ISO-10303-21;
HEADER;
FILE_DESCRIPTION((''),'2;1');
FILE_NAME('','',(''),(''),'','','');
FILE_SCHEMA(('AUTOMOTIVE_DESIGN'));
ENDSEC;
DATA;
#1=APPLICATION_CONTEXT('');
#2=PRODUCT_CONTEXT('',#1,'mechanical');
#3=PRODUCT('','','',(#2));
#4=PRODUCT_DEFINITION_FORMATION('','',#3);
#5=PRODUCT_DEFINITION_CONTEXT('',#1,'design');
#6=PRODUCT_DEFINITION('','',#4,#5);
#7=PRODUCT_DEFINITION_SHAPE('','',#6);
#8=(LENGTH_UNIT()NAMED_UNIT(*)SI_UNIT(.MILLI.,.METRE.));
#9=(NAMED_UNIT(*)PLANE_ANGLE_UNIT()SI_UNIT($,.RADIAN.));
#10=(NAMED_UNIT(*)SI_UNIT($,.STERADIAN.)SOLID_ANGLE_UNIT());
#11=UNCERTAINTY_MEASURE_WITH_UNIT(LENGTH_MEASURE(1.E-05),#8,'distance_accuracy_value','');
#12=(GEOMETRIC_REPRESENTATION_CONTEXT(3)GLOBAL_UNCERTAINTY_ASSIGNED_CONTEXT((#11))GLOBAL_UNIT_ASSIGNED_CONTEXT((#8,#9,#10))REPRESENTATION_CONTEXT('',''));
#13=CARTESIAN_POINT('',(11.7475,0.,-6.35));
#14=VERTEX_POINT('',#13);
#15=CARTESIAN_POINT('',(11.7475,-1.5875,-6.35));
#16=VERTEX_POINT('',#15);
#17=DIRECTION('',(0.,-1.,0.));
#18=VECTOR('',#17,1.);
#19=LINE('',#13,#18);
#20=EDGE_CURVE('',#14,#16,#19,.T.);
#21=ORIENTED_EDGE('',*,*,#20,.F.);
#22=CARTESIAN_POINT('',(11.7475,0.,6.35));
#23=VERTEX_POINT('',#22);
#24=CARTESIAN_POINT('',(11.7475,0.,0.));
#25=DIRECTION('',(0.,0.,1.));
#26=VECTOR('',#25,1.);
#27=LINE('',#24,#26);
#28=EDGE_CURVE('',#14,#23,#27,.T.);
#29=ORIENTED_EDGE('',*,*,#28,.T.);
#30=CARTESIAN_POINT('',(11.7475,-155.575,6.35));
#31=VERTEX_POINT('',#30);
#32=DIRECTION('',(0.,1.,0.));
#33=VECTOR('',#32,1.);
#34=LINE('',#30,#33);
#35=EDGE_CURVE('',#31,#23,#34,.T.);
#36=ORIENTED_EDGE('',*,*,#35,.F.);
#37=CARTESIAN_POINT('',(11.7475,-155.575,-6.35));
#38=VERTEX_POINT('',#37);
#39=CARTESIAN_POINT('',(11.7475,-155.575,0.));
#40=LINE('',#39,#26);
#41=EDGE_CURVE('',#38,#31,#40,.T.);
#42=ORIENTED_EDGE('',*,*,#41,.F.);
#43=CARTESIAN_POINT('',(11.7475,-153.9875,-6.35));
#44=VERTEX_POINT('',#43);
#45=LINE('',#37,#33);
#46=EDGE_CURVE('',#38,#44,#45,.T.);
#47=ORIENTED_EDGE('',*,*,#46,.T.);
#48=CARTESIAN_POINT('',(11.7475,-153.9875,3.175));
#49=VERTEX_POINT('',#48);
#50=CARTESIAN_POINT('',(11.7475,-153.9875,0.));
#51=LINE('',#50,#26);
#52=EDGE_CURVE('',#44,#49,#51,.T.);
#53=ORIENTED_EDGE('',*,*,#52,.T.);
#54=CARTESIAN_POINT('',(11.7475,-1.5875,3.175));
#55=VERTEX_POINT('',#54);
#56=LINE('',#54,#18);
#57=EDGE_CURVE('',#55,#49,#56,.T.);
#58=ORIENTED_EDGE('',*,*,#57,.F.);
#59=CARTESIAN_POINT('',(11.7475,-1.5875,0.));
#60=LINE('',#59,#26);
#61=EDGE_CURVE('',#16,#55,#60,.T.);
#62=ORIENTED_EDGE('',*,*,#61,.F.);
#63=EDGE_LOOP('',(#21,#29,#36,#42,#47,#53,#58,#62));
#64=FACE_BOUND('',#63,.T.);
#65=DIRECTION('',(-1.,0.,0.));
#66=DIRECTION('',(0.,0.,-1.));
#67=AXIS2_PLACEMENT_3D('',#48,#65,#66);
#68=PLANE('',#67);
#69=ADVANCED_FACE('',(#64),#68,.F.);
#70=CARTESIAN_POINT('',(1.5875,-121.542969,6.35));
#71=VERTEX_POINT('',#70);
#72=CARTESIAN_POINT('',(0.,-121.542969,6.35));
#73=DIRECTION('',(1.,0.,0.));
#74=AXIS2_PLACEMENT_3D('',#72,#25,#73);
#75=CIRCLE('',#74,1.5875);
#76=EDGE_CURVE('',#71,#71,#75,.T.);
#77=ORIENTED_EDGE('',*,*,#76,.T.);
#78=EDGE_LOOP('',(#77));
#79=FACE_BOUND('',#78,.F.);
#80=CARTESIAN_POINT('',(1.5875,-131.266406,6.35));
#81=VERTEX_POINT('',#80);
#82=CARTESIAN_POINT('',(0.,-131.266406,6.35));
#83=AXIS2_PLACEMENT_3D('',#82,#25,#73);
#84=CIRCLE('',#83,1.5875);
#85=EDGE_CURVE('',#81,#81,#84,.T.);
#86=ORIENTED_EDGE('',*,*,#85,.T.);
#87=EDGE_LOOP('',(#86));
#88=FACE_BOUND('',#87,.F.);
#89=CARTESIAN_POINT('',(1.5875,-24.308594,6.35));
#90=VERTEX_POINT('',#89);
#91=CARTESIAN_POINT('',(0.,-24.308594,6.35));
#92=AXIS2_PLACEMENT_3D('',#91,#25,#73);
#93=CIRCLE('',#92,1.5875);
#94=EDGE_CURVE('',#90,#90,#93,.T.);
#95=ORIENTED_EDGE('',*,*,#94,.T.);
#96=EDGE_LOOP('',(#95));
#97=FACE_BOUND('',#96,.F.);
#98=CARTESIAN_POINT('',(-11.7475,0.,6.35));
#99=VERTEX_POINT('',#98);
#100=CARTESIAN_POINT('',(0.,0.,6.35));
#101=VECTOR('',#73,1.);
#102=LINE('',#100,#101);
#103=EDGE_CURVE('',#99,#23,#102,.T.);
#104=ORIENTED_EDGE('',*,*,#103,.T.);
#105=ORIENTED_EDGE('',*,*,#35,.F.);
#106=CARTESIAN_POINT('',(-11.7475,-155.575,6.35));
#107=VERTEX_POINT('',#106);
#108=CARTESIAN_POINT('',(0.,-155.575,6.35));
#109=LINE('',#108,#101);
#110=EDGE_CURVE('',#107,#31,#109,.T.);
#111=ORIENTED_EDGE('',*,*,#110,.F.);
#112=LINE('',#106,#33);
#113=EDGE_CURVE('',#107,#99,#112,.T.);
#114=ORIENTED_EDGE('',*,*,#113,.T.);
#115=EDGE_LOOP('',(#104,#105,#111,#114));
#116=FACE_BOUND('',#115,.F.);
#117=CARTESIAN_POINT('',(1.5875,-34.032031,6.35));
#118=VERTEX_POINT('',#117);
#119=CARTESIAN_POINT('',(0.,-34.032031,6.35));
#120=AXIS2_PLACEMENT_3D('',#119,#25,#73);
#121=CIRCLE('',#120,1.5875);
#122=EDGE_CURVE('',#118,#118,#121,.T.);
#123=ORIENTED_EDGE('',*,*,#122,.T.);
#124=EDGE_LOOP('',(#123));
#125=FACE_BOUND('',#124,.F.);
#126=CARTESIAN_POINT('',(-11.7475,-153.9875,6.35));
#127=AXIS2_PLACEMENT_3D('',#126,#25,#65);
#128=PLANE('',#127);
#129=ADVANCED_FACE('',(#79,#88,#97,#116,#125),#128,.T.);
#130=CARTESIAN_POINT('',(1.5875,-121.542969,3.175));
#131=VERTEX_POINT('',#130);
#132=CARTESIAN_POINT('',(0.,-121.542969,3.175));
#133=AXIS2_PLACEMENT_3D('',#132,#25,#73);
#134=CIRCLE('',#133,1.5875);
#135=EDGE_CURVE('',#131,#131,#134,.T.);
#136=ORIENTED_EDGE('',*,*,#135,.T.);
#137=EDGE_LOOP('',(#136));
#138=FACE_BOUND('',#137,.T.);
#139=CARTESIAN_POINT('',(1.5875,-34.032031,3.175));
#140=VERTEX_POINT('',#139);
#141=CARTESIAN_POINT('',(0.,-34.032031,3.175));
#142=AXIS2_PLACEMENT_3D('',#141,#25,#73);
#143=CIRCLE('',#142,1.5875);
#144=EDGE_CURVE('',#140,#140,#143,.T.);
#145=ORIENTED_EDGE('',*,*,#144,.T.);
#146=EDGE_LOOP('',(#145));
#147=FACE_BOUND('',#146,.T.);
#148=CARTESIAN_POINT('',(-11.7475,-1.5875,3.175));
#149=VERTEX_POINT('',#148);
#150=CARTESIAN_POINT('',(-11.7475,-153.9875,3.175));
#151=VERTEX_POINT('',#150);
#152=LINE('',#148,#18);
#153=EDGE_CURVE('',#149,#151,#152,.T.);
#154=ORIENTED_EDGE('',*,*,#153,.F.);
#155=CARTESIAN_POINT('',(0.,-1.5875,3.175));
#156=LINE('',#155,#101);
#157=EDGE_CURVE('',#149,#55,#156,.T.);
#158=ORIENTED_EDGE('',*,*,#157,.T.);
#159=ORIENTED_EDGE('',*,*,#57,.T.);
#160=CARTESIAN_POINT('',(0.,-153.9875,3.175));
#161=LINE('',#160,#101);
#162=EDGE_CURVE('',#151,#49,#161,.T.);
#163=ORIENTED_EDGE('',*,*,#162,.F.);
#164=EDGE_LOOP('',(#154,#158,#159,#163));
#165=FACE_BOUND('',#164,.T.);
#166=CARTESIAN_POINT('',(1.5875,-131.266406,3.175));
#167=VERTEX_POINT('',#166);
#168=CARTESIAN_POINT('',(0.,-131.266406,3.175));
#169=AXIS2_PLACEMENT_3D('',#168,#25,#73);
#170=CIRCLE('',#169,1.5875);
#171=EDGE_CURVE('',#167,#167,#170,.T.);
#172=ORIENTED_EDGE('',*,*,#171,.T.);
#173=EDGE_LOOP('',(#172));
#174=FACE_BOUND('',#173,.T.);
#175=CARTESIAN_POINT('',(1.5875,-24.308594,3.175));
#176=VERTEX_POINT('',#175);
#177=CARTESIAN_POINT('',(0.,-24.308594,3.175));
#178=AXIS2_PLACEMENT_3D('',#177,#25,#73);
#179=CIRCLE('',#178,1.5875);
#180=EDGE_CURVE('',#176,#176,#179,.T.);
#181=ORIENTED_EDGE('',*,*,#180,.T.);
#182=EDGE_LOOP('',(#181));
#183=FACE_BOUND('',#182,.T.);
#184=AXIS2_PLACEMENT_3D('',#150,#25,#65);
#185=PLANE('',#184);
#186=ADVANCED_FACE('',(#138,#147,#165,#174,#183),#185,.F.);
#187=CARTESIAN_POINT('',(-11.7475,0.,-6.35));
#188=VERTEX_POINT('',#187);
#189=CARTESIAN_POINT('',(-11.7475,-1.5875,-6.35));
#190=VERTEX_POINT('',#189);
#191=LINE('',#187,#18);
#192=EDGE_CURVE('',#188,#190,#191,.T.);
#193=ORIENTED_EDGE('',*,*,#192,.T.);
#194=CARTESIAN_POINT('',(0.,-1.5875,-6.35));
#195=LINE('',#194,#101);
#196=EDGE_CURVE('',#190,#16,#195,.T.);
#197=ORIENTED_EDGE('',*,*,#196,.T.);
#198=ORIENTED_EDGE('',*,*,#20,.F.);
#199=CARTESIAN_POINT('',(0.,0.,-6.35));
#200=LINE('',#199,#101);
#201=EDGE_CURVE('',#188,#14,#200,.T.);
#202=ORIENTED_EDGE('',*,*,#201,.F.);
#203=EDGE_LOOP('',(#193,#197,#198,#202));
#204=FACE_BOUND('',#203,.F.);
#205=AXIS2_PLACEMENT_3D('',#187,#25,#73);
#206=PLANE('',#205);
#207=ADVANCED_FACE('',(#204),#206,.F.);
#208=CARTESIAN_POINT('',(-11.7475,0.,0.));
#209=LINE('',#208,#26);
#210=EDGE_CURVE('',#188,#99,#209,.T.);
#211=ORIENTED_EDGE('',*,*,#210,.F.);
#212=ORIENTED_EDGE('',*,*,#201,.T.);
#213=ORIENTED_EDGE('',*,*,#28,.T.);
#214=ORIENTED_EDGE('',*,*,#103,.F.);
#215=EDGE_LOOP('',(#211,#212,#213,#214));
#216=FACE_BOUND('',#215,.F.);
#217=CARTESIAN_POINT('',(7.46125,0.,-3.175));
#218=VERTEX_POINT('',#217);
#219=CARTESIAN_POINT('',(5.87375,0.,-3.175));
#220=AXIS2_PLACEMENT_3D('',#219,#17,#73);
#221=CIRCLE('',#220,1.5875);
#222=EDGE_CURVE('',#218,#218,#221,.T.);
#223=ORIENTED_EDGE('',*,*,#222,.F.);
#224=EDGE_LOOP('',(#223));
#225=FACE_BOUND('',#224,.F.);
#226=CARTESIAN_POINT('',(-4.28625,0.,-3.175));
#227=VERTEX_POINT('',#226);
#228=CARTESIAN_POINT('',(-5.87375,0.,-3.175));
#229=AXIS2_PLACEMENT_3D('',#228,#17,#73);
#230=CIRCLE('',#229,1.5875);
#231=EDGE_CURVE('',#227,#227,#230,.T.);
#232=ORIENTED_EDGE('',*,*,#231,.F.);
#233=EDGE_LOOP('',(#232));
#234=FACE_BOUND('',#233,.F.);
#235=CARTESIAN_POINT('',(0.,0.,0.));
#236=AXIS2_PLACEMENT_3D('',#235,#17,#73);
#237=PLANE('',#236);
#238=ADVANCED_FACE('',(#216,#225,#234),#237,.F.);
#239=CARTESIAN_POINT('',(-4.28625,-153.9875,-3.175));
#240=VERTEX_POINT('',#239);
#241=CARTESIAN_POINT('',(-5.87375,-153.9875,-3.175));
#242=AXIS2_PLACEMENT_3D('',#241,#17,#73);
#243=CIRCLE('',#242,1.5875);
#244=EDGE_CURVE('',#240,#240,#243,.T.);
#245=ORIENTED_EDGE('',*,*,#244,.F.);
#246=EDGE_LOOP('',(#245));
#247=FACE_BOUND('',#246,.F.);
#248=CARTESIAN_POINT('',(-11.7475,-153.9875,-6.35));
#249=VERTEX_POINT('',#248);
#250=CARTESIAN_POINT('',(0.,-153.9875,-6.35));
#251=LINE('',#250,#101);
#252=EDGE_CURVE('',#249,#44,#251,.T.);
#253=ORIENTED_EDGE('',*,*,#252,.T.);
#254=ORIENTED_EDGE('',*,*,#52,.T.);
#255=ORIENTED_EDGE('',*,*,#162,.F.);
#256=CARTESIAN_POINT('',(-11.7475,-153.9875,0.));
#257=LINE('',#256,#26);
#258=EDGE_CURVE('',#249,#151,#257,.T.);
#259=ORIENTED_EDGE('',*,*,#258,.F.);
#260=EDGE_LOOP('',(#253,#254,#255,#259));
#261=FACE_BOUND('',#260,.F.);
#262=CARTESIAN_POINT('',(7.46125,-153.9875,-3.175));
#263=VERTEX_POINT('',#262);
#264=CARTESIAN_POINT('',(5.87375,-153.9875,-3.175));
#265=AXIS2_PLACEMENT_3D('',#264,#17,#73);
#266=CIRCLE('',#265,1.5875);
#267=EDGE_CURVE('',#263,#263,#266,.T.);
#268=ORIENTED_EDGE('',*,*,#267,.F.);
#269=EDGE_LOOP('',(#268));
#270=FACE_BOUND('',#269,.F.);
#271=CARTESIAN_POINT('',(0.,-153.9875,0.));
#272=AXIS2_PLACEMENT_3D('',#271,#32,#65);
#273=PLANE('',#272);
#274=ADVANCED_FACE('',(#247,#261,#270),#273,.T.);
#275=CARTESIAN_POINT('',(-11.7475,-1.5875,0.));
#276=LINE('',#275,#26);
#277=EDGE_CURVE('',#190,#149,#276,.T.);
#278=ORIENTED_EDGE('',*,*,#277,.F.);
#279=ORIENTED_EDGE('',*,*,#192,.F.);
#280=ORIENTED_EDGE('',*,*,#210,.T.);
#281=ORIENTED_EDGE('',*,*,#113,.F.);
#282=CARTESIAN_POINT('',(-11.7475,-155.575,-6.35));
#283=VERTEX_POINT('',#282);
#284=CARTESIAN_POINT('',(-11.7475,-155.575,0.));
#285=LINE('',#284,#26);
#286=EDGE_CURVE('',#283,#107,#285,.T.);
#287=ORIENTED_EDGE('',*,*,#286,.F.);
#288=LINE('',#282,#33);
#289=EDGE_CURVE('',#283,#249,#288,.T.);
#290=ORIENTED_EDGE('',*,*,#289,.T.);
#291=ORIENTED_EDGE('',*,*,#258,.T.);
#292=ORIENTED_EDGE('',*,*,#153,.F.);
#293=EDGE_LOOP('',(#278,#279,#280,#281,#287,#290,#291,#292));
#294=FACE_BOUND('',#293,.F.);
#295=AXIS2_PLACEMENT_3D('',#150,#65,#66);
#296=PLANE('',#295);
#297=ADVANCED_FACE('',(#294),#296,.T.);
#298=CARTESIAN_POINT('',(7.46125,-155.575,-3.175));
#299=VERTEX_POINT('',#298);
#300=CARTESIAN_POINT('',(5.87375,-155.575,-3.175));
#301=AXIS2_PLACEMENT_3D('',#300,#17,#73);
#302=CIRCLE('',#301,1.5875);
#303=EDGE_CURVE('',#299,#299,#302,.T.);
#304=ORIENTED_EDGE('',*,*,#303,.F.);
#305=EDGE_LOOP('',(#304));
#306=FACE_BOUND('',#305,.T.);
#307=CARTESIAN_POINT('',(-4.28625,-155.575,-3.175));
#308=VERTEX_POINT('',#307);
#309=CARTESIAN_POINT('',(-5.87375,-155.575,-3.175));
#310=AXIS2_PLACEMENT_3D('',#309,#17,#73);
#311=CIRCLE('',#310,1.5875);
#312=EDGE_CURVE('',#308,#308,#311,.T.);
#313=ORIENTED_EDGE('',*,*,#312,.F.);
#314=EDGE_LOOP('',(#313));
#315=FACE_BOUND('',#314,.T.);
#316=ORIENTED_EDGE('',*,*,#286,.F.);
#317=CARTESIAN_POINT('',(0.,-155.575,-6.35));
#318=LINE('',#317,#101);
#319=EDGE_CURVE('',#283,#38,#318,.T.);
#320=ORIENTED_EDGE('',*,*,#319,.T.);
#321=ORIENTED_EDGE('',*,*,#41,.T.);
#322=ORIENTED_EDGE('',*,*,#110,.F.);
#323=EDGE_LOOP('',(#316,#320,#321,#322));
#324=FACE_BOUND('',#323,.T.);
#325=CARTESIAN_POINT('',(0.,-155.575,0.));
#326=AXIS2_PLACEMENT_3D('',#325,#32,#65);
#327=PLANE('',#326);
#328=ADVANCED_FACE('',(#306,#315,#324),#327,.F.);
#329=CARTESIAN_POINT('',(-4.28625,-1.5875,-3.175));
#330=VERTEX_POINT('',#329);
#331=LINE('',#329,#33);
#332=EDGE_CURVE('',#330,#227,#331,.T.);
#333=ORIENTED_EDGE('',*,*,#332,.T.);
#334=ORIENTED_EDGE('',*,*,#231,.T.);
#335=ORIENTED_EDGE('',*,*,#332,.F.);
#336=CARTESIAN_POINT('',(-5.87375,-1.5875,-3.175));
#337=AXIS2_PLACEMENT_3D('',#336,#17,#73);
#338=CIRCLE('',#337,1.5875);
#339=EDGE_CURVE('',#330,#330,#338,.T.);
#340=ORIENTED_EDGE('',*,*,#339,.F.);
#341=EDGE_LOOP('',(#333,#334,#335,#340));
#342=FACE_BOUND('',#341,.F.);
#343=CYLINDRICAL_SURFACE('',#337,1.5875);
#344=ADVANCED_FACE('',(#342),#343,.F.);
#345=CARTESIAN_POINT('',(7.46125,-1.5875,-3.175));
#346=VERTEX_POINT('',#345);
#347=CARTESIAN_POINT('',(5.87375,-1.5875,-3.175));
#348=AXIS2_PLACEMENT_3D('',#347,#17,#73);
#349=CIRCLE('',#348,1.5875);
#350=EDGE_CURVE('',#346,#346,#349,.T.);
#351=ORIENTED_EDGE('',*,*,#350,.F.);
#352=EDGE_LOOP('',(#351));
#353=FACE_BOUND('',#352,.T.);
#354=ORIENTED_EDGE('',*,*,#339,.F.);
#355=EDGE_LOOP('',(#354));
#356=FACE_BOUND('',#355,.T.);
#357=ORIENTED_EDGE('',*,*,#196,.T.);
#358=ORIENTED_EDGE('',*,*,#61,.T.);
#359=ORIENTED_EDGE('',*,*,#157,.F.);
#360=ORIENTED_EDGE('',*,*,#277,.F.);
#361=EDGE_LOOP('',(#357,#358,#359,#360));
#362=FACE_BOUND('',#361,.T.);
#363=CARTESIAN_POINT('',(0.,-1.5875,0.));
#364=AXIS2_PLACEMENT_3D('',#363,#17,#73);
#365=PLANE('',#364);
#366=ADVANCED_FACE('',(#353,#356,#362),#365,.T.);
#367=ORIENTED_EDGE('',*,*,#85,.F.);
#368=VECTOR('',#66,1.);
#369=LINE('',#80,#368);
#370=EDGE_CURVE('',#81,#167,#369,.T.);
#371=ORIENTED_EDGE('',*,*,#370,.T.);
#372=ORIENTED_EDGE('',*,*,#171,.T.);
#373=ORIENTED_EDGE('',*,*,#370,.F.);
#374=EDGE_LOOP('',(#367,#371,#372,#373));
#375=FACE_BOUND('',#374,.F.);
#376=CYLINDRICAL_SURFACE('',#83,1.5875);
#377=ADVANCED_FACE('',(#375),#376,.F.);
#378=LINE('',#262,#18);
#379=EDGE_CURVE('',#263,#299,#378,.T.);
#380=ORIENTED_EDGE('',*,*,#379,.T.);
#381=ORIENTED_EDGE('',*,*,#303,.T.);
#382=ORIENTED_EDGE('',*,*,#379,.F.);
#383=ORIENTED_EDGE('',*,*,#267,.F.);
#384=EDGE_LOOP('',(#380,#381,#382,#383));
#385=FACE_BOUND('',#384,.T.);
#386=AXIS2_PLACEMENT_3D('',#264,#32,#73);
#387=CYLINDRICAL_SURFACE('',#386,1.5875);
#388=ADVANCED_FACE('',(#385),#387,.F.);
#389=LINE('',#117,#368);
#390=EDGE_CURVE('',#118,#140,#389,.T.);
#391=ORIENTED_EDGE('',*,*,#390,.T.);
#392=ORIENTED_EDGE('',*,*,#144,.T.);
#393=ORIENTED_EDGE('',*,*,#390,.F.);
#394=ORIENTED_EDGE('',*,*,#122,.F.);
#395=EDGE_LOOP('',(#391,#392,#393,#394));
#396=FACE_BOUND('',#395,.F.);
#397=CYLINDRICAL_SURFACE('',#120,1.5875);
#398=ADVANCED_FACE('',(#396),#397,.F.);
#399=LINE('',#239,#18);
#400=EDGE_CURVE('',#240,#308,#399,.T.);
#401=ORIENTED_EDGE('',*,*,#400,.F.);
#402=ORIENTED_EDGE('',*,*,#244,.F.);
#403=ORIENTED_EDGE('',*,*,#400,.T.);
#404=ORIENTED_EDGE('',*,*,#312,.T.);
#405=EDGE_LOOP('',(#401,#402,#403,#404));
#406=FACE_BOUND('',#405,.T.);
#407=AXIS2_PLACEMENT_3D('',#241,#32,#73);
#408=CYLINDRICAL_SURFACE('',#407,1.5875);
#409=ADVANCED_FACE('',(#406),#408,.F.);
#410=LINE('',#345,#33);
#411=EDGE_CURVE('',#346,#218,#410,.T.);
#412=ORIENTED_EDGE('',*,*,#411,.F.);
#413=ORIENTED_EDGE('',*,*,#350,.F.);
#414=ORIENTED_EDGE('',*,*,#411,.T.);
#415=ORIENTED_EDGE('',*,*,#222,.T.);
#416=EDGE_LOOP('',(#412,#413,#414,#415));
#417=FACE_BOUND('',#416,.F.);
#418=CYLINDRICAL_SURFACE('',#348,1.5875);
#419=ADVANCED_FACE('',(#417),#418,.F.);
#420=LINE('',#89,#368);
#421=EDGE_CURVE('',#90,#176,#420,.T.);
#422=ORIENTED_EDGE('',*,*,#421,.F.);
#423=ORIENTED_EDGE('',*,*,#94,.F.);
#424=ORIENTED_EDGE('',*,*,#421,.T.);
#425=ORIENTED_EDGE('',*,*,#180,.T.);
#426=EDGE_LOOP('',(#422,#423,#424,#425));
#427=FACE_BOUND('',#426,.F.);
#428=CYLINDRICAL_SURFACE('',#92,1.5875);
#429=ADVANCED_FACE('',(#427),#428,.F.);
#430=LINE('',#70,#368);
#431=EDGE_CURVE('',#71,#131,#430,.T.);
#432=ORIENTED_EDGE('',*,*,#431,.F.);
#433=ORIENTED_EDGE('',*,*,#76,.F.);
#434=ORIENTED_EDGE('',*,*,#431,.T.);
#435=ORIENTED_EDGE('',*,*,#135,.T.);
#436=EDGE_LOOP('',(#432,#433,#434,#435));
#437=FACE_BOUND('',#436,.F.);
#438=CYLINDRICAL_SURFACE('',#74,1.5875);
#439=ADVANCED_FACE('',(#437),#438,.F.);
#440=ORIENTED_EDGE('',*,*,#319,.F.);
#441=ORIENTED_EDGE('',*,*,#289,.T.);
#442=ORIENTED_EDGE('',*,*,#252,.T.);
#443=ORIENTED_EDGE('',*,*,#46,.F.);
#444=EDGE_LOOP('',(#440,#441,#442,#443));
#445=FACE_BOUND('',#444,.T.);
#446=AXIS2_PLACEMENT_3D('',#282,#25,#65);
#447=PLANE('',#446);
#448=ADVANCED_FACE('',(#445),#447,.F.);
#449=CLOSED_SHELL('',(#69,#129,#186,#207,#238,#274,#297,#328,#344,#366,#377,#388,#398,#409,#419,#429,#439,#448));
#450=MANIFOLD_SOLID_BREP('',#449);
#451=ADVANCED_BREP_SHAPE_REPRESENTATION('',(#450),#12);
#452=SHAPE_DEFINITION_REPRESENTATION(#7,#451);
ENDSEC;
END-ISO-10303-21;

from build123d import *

# Parameters (mm, degrees)
F0_W     = 23.495
F0_H     = 12.7
F1_DEPTH = 1.5875
F2_R     = 1.5875
F3_DEPTH = 25.4
F4_W     = 23.495
F4_H     = 3.175
F5_DEPTH = 76.2
F7_R     = 1.5875
F8_DEPTH = 25.4


with BuildPart() as f1:
    # F0 (on Front) → F1 (new body)
    with BuildSketch(Plane.XZ):
        Rectangle(F0_W, F0_H)
    extrude(amount=F1_DEPTH)

    # F2 (on face) → F3 (cut)
    with BuildSketch(Plane.XZ.offset(1.5875)):
        with Locations((-5.87375, -3.175)):
            Circle(F2_R)
        with Locations((5.87375, -3.175)):
            Circle(F2_R)
    extrude(amount=-F3_DEPTH, mode=Mode.SUBTRACT)

    # F4 (on face) → F5 (join)
    with BuildSketch(Plane.XZ.offset(1.5875)):
        with Locations((0, 4.7625)):
            Rectangle(F4_W, F4_H)
    extrude(amount=F5_DEPTH)

    # F6: F1 across face


with BuildPart() as f1_1:
    add(f1.part)
    add(f1.part.mirror(Plane(origin=(0, -77.7875, 4.7625), x_dir=(1, 0, 0), z_dir=(0, -1, 0))))

    # F7 (on face) → F8 (cut)
    with BuildSketch(Plane.XY.offset(6.35)):
        with Locations((0, -34.032031)):
            Circle(F7_R)
        with Locations((0, -24.308594)):
            Circle(F7_R)
        with Locations((0, -131.266406)):
            Circle(F7_R)
        with Locations((0, -121.542969)):
            Circle(F7_R)
    extrude(amount=-F8_DEPTH, mode=Mode.SUBTRACT)


solid = f1_1.part
